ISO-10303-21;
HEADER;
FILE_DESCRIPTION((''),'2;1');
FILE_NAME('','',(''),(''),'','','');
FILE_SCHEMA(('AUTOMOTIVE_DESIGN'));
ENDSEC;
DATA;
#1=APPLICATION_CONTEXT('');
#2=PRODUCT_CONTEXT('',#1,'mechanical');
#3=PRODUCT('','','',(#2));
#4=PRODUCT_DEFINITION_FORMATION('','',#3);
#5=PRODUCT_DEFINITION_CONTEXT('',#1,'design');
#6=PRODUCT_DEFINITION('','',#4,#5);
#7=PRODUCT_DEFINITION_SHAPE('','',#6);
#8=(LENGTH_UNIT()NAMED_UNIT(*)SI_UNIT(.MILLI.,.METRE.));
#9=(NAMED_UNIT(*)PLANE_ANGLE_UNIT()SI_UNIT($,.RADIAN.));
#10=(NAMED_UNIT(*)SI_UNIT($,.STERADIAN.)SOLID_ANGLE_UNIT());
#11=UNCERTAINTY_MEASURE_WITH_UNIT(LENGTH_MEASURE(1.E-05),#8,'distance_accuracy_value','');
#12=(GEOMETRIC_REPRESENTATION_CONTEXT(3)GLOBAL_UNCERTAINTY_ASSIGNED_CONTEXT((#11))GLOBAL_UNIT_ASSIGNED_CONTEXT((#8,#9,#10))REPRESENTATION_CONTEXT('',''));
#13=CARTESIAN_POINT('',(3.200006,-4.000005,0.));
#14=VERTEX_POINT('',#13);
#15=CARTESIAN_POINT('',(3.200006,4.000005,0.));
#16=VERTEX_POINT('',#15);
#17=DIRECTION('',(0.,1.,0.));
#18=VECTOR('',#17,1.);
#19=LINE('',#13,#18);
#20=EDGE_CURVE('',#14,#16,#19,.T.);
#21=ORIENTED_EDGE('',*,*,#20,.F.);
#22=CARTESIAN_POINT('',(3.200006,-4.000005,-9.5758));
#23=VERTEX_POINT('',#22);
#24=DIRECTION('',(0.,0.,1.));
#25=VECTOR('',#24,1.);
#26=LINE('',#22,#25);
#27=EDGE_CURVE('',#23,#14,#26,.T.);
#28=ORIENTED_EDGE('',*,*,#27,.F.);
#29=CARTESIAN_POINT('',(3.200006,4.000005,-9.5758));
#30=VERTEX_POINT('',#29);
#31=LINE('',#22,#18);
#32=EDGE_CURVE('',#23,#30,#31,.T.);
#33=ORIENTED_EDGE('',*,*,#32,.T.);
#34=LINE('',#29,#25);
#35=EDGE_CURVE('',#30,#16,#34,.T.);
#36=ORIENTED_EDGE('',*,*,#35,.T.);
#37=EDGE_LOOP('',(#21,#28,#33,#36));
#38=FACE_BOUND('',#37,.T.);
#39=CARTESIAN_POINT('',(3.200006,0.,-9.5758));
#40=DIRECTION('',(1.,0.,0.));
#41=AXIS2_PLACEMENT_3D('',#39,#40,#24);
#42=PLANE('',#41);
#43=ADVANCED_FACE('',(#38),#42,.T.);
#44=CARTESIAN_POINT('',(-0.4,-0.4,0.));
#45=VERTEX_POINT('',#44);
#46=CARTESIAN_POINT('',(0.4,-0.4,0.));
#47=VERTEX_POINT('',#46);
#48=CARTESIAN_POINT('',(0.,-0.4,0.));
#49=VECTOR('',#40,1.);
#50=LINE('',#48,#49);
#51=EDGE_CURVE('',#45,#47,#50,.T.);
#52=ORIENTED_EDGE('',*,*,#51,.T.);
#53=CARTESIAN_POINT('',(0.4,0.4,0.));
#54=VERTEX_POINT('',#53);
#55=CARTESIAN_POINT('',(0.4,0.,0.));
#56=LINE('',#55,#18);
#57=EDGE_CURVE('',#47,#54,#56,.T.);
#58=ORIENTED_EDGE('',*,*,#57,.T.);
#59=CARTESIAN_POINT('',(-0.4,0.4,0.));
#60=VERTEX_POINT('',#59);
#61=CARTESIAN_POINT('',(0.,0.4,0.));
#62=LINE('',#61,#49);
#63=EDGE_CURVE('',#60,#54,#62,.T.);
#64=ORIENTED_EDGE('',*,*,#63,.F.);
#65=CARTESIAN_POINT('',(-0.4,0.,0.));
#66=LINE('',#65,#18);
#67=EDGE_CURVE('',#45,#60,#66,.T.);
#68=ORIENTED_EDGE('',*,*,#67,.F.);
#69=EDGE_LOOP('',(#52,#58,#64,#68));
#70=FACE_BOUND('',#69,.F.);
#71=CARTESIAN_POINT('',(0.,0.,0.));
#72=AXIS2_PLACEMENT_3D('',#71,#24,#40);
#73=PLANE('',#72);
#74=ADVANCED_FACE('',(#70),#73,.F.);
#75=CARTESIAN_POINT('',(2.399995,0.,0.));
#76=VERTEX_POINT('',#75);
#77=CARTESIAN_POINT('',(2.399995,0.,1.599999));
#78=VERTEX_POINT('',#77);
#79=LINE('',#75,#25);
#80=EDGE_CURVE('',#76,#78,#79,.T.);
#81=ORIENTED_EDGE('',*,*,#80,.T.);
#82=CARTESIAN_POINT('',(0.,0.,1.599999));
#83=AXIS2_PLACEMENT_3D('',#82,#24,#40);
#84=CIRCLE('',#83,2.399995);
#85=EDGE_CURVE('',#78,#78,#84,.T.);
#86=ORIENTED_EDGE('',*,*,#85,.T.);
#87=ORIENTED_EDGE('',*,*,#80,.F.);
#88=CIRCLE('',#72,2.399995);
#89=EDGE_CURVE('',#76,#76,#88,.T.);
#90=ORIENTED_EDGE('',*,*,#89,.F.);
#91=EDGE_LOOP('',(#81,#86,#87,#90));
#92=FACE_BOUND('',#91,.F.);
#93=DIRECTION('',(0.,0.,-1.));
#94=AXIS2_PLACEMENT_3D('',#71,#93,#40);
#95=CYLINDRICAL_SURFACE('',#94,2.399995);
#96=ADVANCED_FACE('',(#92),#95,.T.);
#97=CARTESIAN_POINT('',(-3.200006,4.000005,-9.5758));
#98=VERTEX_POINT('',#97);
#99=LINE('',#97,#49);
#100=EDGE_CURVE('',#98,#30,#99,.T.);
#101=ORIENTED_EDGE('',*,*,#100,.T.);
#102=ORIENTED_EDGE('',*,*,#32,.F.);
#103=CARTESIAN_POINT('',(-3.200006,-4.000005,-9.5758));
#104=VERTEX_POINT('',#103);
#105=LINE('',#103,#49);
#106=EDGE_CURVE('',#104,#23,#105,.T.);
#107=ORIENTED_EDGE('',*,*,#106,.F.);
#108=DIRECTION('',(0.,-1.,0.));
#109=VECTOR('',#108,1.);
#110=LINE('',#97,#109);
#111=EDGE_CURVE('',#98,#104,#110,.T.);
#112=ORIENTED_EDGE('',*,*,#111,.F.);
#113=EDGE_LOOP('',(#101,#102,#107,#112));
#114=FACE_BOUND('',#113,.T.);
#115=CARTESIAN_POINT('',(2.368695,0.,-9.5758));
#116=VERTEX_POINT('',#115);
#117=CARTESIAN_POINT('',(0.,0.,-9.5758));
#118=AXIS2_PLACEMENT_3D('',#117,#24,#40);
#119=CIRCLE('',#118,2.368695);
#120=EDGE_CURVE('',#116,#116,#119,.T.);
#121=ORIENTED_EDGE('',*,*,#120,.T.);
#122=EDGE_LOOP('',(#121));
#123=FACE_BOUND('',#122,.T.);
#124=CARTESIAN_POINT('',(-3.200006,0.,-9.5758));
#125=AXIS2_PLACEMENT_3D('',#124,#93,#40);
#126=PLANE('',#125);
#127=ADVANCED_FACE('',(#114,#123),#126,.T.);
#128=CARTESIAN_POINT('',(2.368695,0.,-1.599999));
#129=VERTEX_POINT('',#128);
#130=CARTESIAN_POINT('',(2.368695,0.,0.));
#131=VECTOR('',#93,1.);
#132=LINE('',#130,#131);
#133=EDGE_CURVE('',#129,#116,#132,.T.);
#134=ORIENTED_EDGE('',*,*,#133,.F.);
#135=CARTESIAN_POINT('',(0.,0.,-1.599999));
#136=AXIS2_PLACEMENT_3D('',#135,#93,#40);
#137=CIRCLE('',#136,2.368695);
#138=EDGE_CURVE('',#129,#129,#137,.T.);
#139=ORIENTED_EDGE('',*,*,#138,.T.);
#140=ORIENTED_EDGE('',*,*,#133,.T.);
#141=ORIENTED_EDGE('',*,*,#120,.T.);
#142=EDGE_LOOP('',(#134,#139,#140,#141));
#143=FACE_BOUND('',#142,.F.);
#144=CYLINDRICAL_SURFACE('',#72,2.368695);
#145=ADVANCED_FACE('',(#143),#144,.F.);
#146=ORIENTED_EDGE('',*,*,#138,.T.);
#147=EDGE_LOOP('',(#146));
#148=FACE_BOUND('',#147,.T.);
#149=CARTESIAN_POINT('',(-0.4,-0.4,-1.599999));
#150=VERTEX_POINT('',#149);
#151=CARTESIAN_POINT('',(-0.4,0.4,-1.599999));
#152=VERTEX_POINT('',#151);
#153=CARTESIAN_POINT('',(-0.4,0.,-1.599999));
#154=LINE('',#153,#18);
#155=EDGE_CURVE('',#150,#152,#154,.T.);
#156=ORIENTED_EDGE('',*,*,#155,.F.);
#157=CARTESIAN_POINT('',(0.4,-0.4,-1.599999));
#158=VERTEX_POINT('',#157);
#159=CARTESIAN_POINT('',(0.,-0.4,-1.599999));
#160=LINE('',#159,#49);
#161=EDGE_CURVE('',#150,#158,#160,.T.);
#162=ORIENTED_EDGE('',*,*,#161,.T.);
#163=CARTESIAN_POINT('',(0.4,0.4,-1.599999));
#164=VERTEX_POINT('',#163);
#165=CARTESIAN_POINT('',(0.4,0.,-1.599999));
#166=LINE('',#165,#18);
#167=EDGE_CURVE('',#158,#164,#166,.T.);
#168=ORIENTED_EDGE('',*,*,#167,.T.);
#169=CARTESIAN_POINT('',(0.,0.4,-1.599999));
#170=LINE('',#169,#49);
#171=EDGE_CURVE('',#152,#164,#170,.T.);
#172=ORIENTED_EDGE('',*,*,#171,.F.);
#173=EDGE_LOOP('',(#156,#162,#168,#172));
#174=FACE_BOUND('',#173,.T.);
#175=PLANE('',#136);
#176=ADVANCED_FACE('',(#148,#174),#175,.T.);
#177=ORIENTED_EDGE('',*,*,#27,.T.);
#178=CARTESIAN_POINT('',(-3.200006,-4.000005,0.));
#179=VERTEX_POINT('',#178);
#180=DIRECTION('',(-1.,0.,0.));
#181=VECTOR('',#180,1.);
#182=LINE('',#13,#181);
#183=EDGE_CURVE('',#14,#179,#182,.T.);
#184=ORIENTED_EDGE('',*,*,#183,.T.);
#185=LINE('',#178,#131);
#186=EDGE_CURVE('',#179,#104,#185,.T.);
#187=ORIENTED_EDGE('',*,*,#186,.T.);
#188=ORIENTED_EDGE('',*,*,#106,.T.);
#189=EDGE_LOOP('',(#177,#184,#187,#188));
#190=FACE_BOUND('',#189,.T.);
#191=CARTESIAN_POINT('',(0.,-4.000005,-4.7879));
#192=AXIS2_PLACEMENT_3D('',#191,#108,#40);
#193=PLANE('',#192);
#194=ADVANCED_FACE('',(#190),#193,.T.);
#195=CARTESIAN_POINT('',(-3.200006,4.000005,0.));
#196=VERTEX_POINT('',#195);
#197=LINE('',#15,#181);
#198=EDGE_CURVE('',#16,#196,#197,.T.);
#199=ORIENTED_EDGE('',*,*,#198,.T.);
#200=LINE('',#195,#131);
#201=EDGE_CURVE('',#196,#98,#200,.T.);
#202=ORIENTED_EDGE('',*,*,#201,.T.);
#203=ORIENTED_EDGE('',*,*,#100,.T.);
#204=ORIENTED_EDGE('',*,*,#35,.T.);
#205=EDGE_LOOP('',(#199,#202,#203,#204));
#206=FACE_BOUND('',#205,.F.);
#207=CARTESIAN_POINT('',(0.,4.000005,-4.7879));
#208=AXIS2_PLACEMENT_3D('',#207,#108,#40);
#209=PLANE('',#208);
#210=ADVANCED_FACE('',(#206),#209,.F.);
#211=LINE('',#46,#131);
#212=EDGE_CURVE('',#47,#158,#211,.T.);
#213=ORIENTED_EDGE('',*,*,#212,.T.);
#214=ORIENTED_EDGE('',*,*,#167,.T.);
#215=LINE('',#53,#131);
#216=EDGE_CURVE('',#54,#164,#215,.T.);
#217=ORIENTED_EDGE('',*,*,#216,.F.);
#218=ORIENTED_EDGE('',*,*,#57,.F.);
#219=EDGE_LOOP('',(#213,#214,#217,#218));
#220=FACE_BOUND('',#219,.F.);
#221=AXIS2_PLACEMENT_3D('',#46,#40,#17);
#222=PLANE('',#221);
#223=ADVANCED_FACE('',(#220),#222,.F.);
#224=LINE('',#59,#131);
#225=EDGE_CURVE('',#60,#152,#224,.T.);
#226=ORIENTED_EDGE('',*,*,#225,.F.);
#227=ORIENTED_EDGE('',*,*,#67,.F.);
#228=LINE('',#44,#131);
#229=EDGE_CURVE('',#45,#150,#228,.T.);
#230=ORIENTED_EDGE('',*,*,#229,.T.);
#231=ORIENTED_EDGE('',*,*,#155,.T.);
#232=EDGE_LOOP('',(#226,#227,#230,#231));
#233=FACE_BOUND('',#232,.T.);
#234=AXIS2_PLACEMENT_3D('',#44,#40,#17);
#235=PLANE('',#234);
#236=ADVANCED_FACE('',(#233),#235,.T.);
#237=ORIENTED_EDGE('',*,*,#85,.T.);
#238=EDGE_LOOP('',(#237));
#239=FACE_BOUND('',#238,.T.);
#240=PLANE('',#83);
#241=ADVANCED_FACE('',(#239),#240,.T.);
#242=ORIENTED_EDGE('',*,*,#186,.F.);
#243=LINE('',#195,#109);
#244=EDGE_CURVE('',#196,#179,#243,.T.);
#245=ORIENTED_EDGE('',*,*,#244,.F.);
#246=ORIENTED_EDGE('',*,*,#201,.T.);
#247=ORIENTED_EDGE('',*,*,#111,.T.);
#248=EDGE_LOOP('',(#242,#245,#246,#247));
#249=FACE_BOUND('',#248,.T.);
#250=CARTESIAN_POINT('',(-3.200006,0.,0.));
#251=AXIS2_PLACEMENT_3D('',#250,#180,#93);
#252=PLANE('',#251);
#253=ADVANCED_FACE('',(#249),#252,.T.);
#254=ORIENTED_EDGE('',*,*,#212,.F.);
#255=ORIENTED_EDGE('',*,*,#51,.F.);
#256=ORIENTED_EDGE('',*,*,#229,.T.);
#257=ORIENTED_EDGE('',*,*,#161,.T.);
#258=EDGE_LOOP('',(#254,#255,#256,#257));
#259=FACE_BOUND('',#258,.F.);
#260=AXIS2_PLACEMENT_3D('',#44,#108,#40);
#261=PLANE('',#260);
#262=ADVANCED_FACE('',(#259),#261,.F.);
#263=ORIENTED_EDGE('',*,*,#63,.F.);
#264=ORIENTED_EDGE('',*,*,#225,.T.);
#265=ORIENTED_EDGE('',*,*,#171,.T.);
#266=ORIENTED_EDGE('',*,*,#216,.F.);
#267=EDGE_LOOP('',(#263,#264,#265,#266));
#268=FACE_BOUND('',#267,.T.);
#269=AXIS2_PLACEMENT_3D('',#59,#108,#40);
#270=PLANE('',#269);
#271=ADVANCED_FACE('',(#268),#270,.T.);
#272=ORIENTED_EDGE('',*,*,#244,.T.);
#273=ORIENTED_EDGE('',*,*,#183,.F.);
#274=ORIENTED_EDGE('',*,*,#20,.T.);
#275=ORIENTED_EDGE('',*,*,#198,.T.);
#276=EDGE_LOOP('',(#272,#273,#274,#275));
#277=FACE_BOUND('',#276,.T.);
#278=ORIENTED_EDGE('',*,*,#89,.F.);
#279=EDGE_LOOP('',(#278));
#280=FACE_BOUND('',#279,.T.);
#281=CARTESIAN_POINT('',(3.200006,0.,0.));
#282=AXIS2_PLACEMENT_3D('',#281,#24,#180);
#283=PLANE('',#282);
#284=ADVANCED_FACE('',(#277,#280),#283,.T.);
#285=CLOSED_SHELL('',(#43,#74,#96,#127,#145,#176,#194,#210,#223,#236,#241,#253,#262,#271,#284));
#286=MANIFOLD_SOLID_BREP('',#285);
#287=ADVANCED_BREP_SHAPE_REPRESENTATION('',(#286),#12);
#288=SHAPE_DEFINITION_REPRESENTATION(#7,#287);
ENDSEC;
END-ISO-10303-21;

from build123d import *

# Parameters (mm, degrees)
F4_DEPTH  = 4.000005
F1_R      = 2.399995
F5_DEPTH  = 1.599999
F2_R      = 2.368695
F6_DEPTH  = 25.4
F6_FACE_R = 2.368695
F7_DEPTH  = 1.599999
F3_W      = 0.8
F3_H      = 0.8
F8_DEPTH  = 1.599999


with BuildPart() as f4:
    # F0 (on Front) → F4 (new body, symmetric)
    with BuildSketch(Plane.XZ):
        Polygon((3.200006, 0), (0, 0), (-3.200006, 0), (-3.200006, -9.5758), (3.200006, -9.5758), align=None)
    extrude(amount=F4_DEPTH, both=True)

    # F1 (on Top) → F5 (join)
    with BuildSketch(Plane.XY):
        Circle(F1_R)
    extrude(amount=F5_DEPTH)

    # F2 (on Top) → F6 (cut)
    with BuildSketch(Plane.XY):
        Circle(F2_R)
    extrude(amount=-F6_DEPTH, mode=Mode.SUBTRACT)

    # F6_face (on face) → F7 (join)
    with BuildSketch(Plane(origin=(0, 0, 0), x_dir=(1, 0, 0), z_dir=(0, 0, -1))):
        Circle(F6_FACE_R)
    extrude(amount=F7_DEPTH)

    # F3 (on Top) → F8 (cut)
    with BuildSketch(Plane.XY):
        Rectangle(F3_W, F3_H)
    extrude(amount=-F8_DEPTH, mode=Mode.SUBTRACT)


solid = f4.part
